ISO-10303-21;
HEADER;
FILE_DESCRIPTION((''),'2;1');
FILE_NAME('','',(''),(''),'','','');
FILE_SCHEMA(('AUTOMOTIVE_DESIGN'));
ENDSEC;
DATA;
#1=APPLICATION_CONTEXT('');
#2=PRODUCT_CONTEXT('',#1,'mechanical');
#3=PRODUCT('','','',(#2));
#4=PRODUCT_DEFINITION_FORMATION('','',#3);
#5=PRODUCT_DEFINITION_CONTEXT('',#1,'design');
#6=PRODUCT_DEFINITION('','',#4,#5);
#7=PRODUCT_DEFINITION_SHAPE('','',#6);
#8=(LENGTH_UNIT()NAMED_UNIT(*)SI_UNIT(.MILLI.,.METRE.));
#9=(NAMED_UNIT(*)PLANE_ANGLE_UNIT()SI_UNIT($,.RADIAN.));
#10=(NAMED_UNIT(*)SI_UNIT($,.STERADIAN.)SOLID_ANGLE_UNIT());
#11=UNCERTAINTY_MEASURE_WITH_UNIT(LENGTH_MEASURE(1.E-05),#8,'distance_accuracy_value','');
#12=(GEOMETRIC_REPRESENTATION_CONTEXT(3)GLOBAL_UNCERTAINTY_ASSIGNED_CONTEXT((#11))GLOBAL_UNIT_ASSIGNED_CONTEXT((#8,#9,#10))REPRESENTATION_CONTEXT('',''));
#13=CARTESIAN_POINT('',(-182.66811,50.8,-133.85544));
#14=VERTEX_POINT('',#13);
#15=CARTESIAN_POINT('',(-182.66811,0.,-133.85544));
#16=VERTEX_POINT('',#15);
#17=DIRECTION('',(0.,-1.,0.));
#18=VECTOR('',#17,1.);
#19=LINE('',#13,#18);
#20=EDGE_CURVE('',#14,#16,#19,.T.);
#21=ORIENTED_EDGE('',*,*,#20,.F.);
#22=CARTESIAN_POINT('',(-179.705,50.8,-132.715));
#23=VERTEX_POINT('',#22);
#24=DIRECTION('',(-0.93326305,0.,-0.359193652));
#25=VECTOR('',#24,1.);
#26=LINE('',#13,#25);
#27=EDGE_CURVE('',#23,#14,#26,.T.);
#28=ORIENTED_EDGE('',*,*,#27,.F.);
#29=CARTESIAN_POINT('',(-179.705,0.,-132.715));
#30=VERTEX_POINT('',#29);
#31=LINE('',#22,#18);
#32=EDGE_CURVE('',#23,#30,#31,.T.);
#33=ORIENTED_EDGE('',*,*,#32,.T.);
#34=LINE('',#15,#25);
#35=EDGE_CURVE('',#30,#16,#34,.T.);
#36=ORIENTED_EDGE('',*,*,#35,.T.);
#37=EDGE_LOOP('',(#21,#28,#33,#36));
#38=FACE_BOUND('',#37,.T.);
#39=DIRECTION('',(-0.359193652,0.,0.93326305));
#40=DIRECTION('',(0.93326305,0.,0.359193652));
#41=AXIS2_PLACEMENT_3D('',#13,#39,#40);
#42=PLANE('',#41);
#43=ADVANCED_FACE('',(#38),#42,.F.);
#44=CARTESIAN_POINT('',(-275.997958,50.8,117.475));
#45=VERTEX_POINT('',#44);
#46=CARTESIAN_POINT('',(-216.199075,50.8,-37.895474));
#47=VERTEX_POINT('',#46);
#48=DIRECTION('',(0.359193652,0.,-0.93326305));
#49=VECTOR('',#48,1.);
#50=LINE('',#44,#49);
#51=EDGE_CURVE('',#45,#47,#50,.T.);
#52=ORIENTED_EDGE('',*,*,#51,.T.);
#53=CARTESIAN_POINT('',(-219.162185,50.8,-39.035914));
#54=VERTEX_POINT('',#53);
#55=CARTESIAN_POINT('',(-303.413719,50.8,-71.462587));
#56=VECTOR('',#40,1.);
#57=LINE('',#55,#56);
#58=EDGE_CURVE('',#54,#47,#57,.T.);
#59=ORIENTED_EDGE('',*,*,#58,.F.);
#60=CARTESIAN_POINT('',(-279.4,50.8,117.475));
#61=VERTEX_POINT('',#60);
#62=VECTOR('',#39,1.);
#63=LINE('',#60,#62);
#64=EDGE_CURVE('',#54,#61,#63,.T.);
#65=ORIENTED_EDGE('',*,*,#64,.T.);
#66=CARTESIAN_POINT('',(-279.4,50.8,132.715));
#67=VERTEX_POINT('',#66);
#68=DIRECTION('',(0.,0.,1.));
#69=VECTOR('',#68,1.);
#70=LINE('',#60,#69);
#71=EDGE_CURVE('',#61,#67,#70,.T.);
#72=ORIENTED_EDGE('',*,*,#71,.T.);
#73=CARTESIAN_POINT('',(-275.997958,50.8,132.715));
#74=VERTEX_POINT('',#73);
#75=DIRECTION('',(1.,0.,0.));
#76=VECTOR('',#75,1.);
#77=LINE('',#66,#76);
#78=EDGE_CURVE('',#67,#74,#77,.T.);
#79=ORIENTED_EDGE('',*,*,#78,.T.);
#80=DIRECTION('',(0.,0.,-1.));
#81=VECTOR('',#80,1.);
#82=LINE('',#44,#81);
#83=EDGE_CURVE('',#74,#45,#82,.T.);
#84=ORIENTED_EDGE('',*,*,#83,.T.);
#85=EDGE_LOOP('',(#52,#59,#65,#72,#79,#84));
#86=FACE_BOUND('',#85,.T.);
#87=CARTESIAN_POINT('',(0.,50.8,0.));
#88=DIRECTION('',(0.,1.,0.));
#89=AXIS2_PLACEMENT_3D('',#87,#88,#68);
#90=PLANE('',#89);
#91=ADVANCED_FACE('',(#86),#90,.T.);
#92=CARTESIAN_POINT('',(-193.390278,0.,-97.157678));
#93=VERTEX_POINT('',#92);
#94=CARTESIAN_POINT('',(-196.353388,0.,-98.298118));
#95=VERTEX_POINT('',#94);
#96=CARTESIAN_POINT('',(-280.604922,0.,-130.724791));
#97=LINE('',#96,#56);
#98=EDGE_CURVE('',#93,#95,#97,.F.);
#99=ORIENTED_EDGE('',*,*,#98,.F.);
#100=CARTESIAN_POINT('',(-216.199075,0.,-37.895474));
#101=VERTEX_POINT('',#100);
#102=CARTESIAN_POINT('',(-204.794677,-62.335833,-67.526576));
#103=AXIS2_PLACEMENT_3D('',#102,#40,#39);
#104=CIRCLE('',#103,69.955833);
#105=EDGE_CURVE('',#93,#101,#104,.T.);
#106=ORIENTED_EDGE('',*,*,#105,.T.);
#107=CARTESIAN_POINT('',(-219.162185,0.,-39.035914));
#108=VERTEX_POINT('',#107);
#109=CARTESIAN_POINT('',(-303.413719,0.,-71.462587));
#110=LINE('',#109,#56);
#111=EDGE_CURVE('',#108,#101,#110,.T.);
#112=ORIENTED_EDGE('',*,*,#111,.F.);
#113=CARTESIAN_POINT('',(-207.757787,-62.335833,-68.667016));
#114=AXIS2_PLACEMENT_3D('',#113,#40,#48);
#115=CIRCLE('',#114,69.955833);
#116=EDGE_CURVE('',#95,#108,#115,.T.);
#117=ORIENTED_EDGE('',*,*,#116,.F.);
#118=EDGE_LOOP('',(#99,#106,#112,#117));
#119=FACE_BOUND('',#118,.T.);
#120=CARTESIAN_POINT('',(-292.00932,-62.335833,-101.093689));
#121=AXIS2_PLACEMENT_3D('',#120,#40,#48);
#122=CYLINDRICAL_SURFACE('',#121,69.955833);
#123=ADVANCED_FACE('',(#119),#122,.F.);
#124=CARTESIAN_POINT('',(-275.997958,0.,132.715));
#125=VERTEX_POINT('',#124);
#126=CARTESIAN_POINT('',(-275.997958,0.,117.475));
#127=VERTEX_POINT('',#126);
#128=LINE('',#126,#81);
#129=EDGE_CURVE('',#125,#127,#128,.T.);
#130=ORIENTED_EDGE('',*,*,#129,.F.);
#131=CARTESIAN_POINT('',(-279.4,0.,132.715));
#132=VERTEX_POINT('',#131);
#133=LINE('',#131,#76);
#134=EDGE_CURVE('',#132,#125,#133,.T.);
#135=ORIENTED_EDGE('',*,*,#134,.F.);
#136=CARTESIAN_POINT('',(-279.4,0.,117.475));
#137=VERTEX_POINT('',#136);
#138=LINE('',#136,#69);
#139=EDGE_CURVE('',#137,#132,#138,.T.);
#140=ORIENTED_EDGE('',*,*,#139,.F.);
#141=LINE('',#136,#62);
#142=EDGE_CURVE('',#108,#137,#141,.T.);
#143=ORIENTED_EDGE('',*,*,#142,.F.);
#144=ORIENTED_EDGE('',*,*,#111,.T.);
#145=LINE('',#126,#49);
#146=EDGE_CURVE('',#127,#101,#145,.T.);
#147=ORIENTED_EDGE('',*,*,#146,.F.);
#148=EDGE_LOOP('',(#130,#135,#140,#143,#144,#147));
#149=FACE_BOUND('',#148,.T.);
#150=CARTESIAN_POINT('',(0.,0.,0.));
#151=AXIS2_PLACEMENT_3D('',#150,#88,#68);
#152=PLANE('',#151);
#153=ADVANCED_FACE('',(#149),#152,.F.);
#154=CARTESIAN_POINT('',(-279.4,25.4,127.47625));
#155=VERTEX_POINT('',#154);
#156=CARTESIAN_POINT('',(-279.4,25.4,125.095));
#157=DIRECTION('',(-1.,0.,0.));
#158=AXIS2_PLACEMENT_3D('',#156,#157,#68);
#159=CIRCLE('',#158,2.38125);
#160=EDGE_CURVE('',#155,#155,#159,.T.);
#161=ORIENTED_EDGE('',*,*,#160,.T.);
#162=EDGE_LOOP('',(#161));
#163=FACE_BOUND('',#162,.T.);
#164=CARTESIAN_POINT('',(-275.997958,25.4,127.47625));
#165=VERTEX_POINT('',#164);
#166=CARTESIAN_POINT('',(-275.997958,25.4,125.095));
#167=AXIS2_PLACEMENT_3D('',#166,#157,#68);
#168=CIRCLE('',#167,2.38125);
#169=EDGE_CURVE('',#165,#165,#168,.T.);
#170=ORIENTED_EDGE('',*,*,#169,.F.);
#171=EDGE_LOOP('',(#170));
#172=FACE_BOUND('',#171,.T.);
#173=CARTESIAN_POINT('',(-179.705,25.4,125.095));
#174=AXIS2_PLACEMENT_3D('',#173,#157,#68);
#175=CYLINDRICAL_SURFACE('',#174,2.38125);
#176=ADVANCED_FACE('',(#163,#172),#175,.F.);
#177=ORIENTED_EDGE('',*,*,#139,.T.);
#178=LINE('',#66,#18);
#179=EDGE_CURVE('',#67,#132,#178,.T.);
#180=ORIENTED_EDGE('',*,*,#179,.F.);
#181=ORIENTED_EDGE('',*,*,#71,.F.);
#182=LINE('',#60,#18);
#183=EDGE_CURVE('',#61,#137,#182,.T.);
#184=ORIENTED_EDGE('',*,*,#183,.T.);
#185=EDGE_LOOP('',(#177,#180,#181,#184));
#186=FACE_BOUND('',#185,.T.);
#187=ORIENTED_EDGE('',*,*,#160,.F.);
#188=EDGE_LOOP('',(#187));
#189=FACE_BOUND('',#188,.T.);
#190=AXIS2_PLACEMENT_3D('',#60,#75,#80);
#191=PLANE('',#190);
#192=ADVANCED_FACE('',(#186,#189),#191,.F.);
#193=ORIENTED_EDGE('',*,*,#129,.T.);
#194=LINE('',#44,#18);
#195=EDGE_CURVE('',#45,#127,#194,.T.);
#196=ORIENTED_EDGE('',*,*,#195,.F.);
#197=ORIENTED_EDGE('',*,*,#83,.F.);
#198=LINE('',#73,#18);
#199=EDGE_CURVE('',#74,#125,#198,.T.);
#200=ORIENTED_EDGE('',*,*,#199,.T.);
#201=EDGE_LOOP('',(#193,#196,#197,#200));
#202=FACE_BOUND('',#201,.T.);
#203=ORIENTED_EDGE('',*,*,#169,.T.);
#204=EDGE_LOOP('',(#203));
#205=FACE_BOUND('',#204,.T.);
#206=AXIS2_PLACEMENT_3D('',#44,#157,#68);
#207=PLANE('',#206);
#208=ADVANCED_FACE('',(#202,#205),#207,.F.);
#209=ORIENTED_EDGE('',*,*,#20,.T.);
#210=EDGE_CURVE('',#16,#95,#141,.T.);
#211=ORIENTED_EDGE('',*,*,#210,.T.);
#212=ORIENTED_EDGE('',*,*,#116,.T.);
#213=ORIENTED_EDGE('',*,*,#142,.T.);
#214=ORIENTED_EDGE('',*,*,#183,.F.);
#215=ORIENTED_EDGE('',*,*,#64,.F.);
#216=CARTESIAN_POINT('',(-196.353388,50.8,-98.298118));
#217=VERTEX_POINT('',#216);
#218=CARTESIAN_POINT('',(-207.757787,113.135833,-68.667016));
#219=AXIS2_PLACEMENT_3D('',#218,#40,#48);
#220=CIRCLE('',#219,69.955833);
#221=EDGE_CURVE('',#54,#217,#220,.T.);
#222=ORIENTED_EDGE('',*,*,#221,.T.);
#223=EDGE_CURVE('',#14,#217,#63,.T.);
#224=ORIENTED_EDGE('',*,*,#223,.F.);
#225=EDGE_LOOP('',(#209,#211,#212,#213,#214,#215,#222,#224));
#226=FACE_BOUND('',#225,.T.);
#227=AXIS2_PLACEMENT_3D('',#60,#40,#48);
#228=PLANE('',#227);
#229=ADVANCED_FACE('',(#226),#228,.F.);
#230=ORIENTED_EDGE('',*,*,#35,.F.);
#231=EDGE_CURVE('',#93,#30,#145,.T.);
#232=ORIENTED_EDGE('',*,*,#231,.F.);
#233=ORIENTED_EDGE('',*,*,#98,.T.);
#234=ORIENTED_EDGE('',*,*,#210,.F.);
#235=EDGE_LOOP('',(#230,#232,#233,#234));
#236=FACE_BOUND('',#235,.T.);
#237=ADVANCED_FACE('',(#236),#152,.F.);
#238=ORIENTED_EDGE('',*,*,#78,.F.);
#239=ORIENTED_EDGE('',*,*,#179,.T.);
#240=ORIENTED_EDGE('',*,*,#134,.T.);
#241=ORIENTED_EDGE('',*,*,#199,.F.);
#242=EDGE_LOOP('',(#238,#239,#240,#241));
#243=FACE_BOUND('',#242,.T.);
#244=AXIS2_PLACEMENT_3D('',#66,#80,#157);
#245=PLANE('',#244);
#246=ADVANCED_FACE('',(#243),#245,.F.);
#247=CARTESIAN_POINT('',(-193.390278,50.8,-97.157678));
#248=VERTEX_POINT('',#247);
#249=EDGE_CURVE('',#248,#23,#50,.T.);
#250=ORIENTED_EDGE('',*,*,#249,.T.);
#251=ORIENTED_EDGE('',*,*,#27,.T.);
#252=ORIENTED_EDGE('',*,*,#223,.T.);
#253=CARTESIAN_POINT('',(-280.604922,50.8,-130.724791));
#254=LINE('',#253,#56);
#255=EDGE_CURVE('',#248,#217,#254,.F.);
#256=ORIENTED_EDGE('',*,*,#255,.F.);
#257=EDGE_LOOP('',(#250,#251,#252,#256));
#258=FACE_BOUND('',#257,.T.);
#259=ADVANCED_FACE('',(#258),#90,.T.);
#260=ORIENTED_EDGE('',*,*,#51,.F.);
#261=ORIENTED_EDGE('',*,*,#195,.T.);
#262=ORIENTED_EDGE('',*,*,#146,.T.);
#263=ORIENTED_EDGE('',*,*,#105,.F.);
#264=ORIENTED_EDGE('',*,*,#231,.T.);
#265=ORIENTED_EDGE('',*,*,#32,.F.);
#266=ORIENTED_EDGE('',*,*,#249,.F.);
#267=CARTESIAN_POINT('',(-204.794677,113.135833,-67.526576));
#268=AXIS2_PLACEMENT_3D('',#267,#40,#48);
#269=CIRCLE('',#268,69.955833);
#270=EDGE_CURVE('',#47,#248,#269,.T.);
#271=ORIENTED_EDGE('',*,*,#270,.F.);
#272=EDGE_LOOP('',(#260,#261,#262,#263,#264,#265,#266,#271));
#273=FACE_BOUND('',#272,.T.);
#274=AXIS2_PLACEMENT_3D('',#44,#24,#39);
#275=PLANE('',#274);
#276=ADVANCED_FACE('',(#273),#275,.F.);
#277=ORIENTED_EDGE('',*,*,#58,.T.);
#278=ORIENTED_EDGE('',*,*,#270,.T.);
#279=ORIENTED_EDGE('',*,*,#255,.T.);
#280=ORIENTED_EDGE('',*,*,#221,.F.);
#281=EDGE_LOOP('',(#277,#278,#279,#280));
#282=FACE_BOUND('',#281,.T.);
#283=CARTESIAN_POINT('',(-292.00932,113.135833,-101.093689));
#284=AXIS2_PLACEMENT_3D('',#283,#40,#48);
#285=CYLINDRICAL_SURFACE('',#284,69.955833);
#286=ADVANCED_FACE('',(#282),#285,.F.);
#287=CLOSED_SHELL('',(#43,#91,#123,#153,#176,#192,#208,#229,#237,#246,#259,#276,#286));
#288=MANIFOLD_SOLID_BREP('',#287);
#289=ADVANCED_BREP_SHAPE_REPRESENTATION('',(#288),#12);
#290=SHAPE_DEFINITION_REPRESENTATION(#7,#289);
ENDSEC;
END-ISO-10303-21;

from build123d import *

# Parameters (mm, degrees)
BOSS_EXTRUDE1_DEPTH     = 50.8
SKETCH2_R               = 2.38125
CUT_EXTRUDE1_DEPTH      = 1
CUT_EXTRUDE1_DEPTH_BACK = 100.695
CUT_EXTRUDE2_DEPTH      = 96.340771022
CUT_EXTRUDE2_DEPTH_BACK = 94.451298519


with BuildPart() as part:
    # Sketch1 → Boss-Extrude1 (new body)
    with BuildSketch(Plane(origin=(0, 0, 0), x_dir=(1, 0, 0), z_dir=(0, 1, 0))):
        Polygon((-279.4, -117.475), (-182.668110184, 133.855439845), (-179.705, 132.715), (-275.9979581, -117.475), (-275.9979581, -132.715), (-279.4, -132.715), align=None)
    extrude(amount=BOSS_EXTRUDE1_DEPTH)

    # Sketch2 → Cut-Extrude1 (cut, two sides)
    with BuildSketch(Plane.ZY.offset(279.4)) as cut_extrude1_sk:
        with Locations((125.095, 25.4)):
            Circle(SKETCH2_R)
    extrude(amount=CUT_EXTRUDE1_DEPTH, mode=Mode.SUBTRACT)
    extrude(cut_extrude1_sk.sketch, amount=-CUT_EXTRUDE1_DEPTH_BACK, mode=Mode.SUBTRACT)

    # Sketch3 → Cut-Extrude2 (cut, two sides)
    with BuildSketch(Plane(origin=(-201.008455978, 0, -77.363998678), x_dir=(0.359193652, 0, -0.93326305), z_dir=(0.93326305, 0, 0.359193652))) as cut_extrude2_sk:
        with BuildLine():
            Line((-42.290889536, 50.8), (21.209110464, 50.8))
            ThreePointArc((21.209110464, 50.8), (-10.540889536, 43.18), (-42.290889536, 50.8))
        make_face()
        with BuildLine():
            Line((-42.290889536, 0), (21.209110464, 0))
            ThreePointArc((21.209110464, 0), (-10.540889536, 7.62), (-42.290889536, 0))
        make_face()
    extrude(amount=CUT_EXTRUDE2_DEPTH, mode=Mode.SUBTRACT)
    extrude(cut_extrude2_sk.sketch, amount=-CUT_EXTRUDE2_DEPTH_BACK, mode=Mode.SUBTRACT)


solid = part.part
